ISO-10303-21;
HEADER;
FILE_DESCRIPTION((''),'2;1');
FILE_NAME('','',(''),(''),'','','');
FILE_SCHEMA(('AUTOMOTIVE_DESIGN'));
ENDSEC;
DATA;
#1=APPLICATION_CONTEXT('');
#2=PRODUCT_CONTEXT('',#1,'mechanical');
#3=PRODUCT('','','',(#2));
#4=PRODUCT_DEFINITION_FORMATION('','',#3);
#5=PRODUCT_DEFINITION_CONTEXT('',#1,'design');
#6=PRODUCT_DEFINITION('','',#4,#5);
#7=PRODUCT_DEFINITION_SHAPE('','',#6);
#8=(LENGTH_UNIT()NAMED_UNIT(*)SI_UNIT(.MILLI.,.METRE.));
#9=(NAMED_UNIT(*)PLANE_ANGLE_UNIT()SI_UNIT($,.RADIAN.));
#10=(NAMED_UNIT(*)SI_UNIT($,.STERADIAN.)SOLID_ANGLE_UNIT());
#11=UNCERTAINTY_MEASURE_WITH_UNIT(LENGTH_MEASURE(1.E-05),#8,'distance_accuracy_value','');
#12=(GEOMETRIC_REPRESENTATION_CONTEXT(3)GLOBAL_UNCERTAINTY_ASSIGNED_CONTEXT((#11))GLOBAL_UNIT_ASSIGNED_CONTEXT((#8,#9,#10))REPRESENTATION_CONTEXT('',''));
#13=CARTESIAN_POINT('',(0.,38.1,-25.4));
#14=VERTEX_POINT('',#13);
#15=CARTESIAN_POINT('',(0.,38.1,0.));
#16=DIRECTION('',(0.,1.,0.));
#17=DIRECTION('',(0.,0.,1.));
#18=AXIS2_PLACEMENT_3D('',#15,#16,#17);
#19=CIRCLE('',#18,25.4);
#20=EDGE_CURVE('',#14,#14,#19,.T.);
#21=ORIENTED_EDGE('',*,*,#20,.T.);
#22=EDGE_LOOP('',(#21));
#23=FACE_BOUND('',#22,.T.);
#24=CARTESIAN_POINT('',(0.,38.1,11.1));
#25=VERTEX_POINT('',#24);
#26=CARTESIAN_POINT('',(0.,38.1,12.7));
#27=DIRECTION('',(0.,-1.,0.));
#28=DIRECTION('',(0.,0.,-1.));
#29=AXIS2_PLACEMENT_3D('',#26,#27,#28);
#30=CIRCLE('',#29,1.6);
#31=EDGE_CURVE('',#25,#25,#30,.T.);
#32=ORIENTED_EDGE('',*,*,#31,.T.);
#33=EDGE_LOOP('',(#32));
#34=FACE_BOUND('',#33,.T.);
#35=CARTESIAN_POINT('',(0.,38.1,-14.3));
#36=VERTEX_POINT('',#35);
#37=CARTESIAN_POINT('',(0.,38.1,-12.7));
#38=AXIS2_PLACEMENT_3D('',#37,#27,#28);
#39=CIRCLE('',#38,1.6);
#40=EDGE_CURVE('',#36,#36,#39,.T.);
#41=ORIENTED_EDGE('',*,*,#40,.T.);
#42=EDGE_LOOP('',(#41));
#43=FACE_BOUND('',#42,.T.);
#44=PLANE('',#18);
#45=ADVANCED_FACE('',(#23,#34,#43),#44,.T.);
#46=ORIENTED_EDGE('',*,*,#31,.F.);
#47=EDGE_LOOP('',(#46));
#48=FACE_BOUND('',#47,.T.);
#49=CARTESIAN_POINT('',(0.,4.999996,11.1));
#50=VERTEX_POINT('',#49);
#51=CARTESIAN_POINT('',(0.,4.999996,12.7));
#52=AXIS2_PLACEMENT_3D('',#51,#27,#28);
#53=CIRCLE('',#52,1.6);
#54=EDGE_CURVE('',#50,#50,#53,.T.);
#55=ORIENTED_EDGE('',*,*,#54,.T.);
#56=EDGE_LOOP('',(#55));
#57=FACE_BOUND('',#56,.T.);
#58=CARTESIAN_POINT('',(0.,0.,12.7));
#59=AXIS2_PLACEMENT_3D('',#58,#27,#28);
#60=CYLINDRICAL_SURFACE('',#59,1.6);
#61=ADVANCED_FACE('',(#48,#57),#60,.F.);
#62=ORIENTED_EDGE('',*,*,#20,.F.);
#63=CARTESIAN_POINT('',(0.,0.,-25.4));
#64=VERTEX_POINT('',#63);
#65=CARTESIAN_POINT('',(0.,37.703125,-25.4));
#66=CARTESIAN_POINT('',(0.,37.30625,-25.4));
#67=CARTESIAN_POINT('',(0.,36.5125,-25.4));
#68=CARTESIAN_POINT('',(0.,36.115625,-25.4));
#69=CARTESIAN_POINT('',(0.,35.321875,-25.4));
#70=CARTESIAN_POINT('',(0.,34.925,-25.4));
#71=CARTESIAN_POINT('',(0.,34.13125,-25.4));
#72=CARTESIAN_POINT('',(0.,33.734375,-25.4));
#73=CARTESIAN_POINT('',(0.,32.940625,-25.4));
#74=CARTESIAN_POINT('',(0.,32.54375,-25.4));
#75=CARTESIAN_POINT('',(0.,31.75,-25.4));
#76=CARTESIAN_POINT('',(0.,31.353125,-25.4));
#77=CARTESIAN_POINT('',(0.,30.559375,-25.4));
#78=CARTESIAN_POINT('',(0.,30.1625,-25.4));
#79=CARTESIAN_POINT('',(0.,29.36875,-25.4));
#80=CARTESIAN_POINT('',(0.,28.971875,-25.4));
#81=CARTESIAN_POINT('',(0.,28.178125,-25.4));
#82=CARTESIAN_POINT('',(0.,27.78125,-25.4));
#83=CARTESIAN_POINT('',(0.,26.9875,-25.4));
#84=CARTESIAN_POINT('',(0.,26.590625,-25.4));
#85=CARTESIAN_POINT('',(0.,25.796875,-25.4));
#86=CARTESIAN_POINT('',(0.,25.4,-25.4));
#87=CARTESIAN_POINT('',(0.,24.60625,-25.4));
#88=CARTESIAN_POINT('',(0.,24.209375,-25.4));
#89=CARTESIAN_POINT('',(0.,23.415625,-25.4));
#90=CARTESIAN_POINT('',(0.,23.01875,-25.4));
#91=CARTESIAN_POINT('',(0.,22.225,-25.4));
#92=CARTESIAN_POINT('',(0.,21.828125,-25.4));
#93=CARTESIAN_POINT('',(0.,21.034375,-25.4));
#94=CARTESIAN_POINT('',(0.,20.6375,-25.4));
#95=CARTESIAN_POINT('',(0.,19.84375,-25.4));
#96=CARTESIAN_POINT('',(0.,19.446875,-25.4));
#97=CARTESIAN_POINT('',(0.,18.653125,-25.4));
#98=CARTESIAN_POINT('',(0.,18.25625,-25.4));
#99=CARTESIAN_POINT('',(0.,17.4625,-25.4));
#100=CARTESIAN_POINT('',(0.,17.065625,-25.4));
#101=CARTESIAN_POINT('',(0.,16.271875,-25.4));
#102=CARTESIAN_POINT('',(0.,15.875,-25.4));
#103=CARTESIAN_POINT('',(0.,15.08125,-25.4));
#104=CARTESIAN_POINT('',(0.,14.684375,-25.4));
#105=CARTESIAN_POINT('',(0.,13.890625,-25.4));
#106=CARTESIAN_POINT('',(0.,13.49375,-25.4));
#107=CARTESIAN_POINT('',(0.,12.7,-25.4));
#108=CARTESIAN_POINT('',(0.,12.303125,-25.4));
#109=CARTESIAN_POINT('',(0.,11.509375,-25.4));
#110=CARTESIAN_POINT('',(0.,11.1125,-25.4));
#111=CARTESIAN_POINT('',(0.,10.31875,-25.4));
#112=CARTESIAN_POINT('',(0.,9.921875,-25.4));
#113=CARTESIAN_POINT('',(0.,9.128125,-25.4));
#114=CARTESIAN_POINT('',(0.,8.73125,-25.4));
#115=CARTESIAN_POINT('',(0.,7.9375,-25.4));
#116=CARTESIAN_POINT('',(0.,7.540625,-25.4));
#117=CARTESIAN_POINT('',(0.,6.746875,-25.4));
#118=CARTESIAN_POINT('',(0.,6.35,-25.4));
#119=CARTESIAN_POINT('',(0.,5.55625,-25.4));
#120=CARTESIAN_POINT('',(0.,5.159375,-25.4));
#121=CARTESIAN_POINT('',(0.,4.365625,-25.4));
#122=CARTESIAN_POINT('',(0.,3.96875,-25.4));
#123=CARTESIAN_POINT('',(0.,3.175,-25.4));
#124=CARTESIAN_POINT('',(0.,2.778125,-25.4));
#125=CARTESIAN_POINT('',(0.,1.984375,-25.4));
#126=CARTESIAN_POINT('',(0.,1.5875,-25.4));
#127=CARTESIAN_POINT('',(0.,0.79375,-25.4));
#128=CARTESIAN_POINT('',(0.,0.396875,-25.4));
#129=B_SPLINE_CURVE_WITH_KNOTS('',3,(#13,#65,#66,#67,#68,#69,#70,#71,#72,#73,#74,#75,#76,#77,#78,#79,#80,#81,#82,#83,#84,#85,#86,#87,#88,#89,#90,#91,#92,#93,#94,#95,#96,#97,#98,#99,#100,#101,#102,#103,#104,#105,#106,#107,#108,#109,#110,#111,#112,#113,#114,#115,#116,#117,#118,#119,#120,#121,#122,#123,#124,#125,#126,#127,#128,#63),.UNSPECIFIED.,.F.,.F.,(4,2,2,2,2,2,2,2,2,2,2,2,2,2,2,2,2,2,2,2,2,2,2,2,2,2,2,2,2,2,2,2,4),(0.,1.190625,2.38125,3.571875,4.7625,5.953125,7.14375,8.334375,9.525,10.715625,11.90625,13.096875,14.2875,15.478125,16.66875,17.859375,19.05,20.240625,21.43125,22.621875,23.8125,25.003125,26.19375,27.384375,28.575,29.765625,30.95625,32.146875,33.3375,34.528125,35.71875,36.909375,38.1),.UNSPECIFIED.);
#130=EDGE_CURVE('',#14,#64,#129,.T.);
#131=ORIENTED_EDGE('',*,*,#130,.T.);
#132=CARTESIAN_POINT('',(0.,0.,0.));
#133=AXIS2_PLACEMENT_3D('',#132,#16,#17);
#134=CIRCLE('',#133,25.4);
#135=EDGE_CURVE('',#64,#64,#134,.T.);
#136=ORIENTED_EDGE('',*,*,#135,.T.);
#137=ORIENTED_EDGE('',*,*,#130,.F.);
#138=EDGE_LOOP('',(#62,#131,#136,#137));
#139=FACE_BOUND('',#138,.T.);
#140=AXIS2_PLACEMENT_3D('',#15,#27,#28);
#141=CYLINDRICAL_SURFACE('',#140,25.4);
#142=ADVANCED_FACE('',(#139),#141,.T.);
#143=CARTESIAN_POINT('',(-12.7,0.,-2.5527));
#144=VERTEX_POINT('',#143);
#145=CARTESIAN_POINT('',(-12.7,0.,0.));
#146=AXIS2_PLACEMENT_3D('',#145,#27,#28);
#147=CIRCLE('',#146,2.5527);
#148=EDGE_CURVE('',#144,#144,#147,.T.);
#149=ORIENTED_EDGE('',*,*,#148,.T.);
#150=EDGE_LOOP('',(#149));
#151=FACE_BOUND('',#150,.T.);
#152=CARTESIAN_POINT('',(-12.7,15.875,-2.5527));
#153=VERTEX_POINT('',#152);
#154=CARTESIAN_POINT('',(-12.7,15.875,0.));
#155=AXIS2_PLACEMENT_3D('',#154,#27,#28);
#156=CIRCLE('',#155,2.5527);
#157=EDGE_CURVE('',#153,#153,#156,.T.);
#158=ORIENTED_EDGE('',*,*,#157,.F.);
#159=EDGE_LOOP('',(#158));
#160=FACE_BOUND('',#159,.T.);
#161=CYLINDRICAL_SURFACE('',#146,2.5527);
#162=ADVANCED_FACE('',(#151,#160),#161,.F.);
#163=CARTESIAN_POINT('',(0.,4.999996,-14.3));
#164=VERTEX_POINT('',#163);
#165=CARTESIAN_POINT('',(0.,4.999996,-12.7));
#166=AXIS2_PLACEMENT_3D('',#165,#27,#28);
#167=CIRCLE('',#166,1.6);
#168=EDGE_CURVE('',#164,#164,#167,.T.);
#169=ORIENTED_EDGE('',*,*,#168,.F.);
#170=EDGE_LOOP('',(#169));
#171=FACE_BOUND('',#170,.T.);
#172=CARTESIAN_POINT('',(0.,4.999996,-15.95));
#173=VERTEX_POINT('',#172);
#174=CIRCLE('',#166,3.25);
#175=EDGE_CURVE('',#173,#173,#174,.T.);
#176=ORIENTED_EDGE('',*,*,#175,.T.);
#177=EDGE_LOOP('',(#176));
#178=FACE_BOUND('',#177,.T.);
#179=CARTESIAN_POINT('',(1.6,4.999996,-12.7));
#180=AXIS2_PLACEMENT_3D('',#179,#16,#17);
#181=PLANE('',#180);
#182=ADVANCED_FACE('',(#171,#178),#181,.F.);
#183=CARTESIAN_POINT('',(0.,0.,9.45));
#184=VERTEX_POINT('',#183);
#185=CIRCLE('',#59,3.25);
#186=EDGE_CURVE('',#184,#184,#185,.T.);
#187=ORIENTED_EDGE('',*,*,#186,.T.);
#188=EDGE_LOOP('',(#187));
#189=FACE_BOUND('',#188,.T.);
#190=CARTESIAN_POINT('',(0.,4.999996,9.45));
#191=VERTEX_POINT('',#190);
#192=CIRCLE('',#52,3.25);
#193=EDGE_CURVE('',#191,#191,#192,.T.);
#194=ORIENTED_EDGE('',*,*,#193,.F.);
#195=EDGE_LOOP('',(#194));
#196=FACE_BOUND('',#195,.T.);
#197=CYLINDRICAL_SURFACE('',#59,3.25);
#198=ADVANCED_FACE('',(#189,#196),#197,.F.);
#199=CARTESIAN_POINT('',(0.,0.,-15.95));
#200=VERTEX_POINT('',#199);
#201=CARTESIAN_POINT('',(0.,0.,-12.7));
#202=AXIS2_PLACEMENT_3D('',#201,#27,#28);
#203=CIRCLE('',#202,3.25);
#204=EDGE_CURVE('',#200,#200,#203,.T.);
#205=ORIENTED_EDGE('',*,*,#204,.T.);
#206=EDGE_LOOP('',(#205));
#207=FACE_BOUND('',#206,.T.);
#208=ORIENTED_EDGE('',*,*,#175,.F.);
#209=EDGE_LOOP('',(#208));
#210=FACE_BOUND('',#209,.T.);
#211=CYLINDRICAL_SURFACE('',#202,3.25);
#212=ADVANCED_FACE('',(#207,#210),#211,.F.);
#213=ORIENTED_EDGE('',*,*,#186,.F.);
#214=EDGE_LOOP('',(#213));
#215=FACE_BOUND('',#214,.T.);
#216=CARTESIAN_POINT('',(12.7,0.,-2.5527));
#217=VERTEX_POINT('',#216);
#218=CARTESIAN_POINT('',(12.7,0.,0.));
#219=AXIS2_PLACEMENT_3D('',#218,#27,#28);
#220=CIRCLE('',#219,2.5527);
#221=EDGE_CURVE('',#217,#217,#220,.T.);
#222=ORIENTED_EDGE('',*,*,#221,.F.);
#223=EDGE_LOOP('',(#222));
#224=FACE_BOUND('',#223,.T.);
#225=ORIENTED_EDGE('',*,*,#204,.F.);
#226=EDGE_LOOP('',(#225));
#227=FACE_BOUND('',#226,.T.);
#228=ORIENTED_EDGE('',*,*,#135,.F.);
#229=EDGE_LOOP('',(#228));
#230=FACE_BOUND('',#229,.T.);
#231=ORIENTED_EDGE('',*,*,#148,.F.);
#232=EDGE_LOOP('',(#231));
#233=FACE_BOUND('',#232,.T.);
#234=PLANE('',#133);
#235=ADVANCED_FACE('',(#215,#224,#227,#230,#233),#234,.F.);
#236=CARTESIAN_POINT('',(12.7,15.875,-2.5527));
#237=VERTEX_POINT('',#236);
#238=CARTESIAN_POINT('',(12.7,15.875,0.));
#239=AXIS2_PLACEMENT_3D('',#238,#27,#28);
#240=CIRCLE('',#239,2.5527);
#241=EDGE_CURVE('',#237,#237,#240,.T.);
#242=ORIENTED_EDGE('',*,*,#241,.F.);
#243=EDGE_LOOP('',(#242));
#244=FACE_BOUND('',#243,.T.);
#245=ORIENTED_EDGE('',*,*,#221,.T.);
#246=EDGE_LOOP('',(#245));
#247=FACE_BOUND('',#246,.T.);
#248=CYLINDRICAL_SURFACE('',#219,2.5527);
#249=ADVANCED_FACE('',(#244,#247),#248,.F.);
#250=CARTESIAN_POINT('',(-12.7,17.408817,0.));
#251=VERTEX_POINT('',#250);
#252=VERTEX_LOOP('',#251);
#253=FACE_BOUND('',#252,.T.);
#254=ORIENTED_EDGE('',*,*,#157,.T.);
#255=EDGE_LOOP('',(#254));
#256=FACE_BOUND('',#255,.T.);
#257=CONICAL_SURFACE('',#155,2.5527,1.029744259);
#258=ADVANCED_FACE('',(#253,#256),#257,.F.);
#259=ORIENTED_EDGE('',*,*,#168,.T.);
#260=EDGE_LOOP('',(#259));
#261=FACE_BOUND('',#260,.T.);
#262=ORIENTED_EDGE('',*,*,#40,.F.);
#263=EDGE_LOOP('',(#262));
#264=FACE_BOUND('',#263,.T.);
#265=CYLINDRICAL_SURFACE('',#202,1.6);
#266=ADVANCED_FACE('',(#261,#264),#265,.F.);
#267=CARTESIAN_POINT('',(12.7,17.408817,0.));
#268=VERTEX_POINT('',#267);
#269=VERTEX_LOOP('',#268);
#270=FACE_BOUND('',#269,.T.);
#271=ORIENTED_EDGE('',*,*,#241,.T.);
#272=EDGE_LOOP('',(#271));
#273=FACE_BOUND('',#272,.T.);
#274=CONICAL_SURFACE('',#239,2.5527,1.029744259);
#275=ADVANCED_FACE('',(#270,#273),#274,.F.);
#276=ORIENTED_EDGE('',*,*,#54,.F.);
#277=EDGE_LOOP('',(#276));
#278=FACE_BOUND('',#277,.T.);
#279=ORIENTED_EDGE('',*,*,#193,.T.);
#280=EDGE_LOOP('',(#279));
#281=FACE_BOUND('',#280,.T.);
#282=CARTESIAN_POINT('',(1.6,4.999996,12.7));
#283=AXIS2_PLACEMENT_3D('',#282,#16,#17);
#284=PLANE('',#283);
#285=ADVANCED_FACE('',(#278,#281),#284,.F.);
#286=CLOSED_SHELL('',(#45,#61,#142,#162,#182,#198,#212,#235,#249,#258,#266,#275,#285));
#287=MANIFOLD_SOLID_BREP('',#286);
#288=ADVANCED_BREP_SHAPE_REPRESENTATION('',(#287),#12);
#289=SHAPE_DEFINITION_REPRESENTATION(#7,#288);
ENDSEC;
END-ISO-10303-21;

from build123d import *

# Parameters (mm, degrees)
SKETCH1_R                      = 25.4
BOSS_EXTRUDE1_DEPTH            = 38.1
F_1_4_20_TAPPED_HOLE4_D        = 5.1054
F_1_4_20_TAPPED_HOLE4_DEPTH    = 15.875
F_1_4_20_TAPPED_HOLE4_TIP      = 1.533816902
CBORE_FOR_M3_SHCS1_D           = 3.2
CBORE_FOR_M3_SHCS1_CBORE_D     = 6.5
CBORE_FOR_M3_SHCS1_CBORE_DEPTH = 4.999996


with BuildPart() as part:
    # Sketch1 → Boss-Extrude1 (new body)
    with BuildSketch(Plane(origin=(0, 0, 0), x_dir=(1, 0, 0), z_dir=(0, 1, 0))):
        Circle(SKETCH1_R)
    extrude(amount=BOSS_EXTRUDE1_DEPTH)

    # 1/4-20 Tapped Hole4
    with Locations(Plane(origin=(0, 0, 0), x_dir=(-1, 0, 0), z_dir=(0, -1, 0))):
        with Locations((12.7, 0), (-12.7, 0)):
            Hole(F_1_4_20_TAPPED_HOLE4_D / 2, depth=F_1_4_20_TAPPED_HOLE4_DEPTH)
            with Locations((0, 0, -(F_1_4_20_TAPPED_HOLE4_DEPTH + F_1_4_20_TAPPED_HOLE4_TIP / 2))):  # 118° drill point
                Cone(0, F_1_4_20_TAPPED_HOLE4_D / 2, F_1_4_20_TAPPED_HOLE4_TIP, mode=Mode.SUBTRACT)

    # CBORE for M3 SHCS1 (through all)
    with Locations(Plane(origin=(0, 0, 0), x_dir=(-1, 0, 0), z_dir=(0, -1, 0))):
        with Locations((0, -12.7), (0, 12.7)):
            CounterBoreHole(CBORE_FOR_M3_SHCS1_D / 2, CBORE_FOR_M3_SHCS1_CBORE_D / 2, CBORE_FOR_M3_SHCS1_CBORE_DEPTH)


solid = part.part
